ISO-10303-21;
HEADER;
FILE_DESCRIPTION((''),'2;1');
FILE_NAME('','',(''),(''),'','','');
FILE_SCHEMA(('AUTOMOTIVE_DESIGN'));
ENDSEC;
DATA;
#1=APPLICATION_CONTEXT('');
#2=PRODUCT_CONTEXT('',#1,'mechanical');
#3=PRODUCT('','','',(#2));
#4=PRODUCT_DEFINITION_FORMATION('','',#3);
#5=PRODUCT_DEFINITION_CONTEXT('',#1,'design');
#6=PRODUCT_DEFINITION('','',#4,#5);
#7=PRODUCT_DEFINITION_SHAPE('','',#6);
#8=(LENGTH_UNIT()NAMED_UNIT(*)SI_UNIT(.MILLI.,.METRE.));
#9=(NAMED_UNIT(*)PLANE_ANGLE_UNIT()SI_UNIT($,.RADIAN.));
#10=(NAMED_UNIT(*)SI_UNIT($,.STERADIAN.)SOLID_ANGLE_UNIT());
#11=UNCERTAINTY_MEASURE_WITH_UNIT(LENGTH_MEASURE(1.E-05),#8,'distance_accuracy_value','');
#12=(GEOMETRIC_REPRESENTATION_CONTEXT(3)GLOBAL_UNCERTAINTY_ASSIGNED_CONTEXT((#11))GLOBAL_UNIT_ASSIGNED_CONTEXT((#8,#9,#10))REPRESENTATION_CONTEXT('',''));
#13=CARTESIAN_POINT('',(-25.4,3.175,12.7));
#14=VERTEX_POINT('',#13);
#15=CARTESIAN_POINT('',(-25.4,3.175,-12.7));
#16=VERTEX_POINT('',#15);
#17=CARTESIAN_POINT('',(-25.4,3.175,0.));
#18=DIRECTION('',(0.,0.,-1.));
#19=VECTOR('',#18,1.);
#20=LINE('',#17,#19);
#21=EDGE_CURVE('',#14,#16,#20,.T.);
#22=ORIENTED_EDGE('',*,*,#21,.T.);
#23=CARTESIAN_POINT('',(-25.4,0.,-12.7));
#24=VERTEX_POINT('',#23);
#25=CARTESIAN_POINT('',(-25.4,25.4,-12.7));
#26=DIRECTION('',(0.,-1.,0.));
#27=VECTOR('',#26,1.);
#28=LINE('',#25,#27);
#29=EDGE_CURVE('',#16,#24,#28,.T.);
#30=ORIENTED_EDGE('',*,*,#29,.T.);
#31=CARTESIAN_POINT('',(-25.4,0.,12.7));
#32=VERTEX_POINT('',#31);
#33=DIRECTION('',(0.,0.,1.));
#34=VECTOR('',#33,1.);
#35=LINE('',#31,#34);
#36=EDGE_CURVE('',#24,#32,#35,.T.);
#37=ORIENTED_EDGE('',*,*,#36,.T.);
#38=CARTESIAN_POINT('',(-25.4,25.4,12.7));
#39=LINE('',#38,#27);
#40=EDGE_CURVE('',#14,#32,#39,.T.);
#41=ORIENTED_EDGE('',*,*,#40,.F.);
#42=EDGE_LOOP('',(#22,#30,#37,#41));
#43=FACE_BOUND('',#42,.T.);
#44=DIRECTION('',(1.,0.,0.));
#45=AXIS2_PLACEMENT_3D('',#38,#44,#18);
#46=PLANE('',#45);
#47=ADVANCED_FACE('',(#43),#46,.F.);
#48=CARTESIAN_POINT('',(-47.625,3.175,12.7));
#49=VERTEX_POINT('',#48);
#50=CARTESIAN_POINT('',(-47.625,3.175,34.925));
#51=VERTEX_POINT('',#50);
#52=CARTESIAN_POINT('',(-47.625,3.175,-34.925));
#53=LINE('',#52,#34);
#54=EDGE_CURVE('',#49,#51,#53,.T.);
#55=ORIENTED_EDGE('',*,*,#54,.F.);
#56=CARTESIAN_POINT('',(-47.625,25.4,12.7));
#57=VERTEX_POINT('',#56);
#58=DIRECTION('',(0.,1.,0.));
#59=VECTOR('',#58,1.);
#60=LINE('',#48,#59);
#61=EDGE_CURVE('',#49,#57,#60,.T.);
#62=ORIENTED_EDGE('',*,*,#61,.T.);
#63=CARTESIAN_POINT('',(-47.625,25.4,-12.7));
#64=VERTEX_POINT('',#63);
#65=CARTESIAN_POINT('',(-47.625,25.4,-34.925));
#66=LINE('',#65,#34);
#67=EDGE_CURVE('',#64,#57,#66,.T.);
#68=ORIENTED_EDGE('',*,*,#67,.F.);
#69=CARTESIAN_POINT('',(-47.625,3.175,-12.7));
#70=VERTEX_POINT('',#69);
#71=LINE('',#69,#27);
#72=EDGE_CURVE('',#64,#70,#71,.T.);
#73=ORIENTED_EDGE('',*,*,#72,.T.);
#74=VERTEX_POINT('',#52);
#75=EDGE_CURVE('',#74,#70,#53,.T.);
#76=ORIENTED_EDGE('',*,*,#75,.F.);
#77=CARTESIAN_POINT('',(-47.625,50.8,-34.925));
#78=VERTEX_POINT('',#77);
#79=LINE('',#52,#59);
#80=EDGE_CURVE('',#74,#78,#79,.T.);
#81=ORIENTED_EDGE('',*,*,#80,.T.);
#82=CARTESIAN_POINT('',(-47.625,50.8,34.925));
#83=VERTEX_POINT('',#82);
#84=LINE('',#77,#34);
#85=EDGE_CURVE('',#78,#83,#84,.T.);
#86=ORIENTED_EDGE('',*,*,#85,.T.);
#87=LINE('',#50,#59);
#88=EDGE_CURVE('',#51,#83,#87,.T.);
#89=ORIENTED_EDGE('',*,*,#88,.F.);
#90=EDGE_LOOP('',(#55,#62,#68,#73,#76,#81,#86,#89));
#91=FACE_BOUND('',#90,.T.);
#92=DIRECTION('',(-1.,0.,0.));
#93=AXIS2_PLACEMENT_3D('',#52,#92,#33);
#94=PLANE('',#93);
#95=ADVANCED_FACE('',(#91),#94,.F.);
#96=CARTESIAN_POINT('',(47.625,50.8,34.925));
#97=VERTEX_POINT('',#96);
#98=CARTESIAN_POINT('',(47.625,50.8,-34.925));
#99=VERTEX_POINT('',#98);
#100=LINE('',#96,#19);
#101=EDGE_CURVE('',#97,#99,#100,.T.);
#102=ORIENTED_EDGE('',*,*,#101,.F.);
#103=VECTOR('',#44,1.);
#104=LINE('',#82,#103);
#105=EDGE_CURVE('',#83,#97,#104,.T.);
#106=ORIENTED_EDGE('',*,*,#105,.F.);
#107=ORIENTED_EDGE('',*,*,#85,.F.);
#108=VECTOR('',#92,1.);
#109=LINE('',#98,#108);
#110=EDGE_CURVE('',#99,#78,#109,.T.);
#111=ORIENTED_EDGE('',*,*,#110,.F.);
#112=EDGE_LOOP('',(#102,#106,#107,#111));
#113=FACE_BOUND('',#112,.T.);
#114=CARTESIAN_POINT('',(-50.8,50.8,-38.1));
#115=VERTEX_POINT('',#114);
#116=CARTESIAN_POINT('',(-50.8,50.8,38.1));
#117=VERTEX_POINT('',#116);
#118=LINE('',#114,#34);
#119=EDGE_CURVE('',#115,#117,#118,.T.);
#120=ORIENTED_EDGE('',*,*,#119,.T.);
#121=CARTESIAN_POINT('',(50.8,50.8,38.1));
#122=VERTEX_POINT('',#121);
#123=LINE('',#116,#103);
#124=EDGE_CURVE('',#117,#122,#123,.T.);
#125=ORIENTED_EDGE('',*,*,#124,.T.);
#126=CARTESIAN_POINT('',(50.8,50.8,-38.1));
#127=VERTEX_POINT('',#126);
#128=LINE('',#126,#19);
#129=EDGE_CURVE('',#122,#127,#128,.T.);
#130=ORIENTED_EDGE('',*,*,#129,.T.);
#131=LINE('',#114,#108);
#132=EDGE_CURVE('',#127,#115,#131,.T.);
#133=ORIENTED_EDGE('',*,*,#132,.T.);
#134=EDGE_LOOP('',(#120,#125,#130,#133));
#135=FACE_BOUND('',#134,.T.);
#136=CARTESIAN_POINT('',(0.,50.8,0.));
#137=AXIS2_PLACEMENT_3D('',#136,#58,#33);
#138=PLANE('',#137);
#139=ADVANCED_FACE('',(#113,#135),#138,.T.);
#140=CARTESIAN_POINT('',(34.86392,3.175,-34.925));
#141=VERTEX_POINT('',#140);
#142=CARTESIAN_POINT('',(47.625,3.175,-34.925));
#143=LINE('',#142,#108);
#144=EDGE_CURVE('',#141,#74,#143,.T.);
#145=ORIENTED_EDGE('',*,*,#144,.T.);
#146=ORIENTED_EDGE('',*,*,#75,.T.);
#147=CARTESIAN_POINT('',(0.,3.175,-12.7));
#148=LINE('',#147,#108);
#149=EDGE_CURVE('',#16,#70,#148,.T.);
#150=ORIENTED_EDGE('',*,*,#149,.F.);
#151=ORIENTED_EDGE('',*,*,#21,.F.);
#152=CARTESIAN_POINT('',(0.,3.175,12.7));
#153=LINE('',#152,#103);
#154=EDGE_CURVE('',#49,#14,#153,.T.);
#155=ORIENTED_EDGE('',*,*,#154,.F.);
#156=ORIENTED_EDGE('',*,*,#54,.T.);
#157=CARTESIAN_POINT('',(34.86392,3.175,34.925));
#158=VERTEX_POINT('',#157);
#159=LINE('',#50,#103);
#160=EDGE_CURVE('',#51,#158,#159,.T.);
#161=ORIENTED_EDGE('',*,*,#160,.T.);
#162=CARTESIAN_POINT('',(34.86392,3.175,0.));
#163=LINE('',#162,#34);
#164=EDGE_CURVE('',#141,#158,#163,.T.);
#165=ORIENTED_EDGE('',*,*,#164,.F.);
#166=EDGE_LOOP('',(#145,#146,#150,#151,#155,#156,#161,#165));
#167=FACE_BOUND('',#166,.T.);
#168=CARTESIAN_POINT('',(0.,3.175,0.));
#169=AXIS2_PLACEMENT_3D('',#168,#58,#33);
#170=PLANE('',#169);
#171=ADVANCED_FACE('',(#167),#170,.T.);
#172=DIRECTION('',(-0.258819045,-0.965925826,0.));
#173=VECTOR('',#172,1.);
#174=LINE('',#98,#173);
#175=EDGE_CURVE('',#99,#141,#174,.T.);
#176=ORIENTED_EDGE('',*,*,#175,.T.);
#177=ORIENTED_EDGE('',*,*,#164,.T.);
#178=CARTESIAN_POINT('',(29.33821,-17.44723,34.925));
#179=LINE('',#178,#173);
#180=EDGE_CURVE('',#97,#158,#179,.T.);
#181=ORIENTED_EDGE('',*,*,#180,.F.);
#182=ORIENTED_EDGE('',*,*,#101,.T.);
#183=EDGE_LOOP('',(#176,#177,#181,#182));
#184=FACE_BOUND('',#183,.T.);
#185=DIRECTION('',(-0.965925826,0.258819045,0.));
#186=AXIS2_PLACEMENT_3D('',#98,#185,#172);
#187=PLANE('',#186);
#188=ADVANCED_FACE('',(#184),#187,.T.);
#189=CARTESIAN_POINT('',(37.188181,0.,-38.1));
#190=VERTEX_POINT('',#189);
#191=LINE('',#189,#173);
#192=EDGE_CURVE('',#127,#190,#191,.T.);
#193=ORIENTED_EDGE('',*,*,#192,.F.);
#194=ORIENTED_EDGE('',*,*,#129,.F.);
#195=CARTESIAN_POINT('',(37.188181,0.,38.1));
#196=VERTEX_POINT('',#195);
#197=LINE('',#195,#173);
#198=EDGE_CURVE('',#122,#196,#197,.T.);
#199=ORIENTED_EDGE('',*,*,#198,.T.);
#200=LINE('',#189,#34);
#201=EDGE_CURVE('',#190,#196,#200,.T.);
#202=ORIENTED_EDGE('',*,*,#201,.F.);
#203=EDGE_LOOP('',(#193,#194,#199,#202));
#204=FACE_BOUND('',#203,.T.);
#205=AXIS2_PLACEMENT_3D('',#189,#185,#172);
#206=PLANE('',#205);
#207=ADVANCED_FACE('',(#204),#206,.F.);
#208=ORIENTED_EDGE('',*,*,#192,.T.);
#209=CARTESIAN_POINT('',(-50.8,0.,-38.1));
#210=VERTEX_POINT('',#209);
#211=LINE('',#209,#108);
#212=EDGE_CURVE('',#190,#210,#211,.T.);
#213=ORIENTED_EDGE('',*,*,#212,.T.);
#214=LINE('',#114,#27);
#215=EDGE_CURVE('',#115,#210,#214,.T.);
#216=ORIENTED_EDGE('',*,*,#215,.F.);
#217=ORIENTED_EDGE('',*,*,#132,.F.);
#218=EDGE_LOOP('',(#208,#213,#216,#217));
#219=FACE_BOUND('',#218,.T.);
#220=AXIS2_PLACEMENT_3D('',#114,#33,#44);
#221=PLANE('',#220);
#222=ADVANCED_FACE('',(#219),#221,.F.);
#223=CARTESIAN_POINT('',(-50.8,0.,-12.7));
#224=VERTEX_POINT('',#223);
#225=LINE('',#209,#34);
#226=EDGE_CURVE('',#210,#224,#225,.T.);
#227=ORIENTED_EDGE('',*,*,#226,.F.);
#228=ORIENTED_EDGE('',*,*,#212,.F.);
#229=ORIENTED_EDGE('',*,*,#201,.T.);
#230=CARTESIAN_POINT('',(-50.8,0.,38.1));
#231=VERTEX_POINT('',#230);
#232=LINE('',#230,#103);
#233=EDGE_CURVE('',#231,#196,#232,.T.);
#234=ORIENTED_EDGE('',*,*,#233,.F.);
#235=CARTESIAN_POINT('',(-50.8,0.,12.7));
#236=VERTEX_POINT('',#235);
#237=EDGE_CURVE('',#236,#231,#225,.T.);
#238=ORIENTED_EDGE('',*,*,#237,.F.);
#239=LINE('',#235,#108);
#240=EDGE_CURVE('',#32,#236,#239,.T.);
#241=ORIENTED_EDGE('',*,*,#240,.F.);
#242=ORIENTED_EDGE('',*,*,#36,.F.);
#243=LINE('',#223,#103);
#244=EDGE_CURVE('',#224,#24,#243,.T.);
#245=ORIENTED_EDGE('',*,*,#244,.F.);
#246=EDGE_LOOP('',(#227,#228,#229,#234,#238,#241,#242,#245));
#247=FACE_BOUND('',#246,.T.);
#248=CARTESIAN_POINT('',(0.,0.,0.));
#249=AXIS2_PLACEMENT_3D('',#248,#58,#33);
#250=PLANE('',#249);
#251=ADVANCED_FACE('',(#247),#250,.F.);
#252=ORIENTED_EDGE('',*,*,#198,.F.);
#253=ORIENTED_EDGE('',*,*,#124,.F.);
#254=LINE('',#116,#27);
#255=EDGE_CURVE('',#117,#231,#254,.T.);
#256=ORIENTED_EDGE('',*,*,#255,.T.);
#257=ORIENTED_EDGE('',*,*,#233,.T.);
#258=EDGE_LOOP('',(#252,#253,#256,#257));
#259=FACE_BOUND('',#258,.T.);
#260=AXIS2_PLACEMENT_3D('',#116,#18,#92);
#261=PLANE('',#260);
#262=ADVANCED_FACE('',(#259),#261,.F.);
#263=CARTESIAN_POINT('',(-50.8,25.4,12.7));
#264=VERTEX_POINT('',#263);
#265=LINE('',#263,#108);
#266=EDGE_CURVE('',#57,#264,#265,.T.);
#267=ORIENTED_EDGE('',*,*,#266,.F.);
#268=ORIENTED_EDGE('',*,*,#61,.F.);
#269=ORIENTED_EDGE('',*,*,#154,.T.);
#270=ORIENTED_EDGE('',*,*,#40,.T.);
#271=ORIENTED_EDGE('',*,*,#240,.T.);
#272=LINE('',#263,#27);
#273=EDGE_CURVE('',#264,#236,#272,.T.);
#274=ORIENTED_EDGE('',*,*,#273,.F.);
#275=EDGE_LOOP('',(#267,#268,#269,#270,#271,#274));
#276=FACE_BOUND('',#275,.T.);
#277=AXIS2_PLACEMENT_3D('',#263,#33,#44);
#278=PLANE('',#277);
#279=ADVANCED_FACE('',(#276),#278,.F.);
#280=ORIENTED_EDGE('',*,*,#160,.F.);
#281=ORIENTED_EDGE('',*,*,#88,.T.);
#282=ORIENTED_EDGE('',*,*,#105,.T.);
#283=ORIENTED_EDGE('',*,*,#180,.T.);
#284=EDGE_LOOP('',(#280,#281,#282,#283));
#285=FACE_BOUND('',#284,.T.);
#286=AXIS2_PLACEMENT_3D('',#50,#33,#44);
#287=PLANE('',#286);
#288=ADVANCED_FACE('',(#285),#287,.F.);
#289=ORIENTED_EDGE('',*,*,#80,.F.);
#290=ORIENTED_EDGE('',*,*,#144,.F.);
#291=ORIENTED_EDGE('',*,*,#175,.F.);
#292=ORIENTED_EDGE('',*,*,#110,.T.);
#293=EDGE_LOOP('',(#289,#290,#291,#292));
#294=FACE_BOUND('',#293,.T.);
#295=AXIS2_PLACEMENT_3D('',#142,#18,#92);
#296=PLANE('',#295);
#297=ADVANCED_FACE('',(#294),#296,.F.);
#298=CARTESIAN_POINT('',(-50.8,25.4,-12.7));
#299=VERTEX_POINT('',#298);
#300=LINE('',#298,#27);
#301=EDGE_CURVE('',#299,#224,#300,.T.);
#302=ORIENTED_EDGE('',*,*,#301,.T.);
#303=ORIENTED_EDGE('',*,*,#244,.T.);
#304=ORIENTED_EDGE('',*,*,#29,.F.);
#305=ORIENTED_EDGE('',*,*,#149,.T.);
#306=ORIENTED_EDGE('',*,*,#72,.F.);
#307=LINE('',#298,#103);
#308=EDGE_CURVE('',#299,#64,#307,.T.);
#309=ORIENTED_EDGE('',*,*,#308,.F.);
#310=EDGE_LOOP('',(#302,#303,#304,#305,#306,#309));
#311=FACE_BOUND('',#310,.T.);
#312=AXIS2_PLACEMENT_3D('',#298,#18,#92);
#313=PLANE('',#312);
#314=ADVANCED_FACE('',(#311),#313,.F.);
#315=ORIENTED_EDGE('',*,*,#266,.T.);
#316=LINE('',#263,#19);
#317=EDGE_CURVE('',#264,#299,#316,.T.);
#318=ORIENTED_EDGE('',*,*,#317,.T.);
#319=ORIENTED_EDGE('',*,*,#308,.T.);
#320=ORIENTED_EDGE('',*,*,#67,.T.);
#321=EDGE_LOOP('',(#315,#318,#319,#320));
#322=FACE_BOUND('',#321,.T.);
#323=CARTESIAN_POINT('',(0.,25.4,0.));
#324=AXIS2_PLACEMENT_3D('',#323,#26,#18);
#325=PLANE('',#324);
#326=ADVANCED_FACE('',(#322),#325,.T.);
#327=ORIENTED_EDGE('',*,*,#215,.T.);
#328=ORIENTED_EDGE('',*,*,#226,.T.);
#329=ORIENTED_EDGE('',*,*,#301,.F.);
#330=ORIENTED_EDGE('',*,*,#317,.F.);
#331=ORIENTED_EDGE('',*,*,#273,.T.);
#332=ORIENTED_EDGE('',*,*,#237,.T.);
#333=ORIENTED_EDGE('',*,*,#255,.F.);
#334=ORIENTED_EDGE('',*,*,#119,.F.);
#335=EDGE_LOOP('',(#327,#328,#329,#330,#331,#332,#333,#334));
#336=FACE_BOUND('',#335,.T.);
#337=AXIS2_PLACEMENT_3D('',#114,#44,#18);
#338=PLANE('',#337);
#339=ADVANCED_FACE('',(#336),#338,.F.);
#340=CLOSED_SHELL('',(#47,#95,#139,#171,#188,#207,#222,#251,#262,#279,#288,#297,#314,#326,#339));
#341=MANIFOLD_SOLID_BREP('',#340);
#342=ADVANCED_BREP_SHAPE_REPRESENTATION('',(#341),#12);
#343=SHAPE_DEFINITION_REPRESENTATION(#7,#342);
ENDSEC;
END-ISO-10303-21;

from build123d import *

# Parameters (mm, degrees)
SKETCH10_W                = 101.6
SKETCH10_H                = 76.2
BOSS_EXTRUDE4_DEPTH       = 50.8
F_6_CLEARANCE_HOLE1_D     = 3.7973
F_6_CLEARANCE_HOLE1_DEPTH = 12.7
F_6_CLEARANCE_HOLE1_TIP   = 1.140824014
CUT_EXTRUDE6_DEPTH        = 105.726882891
BOSS_EXTRUDE6_DEPTH       = 73.025
SKETCH19_W                = 95.25
SKETCH19_H                = 69.85
CUT_EXTRUDE7_DEPTH        = 47.625
BOSS_EXTRUDE7_DEPTH       = 73.025
SKETCH21_W                = 25.4
SKETCH21_H                = 25.4
CUT_EXTRUDE8_DEPTH        = 25.4


with BuildPart() as part:
    # Sketch10 → Boss-Extrude4 (new body)
    with BuildSketch(Plane(origin=(0, 0, 0), x_dir=(1, 0, 0), z_dir=(0, 1, 0))):
        Rectangle(SKETCH10_W, SKETCH10_H)
    extrude(amount=BOSS_EXTRUDE4_DEPTH)

    # #6 Clearance Hole1
    with Locations(Plane(origin=(0, 50.8, 0), x_dir=(1, 0, 0), z_dir=(0, 1, 0))):
        with Locations((44.45, 5.55625), (44.45, -5.55625)):
            Hole(F_6_CLEARANCE_HOLE1_D / 2, depth=F_6_CLEARANCE_HOLE1_DEPTH)
            with Locations((0, 0, -(F_6_CLEARANCE_HOLE1_DEPTH + F_6_CLEARANCE_HOLE1_TIP / 2))):  # 118° drill point
                Cone(0, F_6_CLEARANCE_HOLE1_D / 2, F_6_CLEARANCE_HOLE1_TIP, mode=Mode.SUBTRACT)

    # Sketch17 → Cut-Extrude6 (cut, through all)
    with BuildSketch(Plane.XY.offset(38.1)):
        Polygon((50.8, 0), (50.8, 50.8), (37.188181024, 0), align=None)
    extrude(amount=-CUT_EXTRUDE6_DEPTH, mode=Mode.SUBTRACT)

    # Sketch18 → Boss-Extrude6 (add)
    with BuildSketch(Plane.XY.offset(38.1)):
        Polygon((47.625, 50.8), (34.013181024, 0), (37.188181024, 0), (50.8, 50.8), align=None)
    extrude(amount=-BOSS_EXTRUDE6_DEPTH)

    # Sketch19 → Cut-Extrude7 (cut)
    with BuildSketch(Plane(origin=(0, 50.8, 0), x_dir=(1, 0, 0), z_dir=(0, 1, 0))):
        Rectangle(SKETCH19_W, SKETCH19_H)
    extrude(amount=-CUT_EXTRUDE7_DEPTH, mode=Mode.SUBTRACT)

    # Sketch20 → Boss-Extrude7 (add)
    with BuildSketch(Plane.XY.offset(38.1)):
        Polygon((47.625, 50.8), (34.013181024, 0), (37.188181024, 0), (50.8, 50.8), align=None)
    extrude(amount=-BOSS_EXTRUDE7_DEPTH)

    # Sketch21 → Cut-Extrude8 (cut)
    with BuildSketch(Plane.XZ):
        with Locations((-38.1, 0)):
            Rectangle(SKETCH21_W, SKETCH21_H)
    extrude(amount=-CUT_EXTRUDE8_DEPTH, mode=Mode.SUBTRACT)


solid = part.part
